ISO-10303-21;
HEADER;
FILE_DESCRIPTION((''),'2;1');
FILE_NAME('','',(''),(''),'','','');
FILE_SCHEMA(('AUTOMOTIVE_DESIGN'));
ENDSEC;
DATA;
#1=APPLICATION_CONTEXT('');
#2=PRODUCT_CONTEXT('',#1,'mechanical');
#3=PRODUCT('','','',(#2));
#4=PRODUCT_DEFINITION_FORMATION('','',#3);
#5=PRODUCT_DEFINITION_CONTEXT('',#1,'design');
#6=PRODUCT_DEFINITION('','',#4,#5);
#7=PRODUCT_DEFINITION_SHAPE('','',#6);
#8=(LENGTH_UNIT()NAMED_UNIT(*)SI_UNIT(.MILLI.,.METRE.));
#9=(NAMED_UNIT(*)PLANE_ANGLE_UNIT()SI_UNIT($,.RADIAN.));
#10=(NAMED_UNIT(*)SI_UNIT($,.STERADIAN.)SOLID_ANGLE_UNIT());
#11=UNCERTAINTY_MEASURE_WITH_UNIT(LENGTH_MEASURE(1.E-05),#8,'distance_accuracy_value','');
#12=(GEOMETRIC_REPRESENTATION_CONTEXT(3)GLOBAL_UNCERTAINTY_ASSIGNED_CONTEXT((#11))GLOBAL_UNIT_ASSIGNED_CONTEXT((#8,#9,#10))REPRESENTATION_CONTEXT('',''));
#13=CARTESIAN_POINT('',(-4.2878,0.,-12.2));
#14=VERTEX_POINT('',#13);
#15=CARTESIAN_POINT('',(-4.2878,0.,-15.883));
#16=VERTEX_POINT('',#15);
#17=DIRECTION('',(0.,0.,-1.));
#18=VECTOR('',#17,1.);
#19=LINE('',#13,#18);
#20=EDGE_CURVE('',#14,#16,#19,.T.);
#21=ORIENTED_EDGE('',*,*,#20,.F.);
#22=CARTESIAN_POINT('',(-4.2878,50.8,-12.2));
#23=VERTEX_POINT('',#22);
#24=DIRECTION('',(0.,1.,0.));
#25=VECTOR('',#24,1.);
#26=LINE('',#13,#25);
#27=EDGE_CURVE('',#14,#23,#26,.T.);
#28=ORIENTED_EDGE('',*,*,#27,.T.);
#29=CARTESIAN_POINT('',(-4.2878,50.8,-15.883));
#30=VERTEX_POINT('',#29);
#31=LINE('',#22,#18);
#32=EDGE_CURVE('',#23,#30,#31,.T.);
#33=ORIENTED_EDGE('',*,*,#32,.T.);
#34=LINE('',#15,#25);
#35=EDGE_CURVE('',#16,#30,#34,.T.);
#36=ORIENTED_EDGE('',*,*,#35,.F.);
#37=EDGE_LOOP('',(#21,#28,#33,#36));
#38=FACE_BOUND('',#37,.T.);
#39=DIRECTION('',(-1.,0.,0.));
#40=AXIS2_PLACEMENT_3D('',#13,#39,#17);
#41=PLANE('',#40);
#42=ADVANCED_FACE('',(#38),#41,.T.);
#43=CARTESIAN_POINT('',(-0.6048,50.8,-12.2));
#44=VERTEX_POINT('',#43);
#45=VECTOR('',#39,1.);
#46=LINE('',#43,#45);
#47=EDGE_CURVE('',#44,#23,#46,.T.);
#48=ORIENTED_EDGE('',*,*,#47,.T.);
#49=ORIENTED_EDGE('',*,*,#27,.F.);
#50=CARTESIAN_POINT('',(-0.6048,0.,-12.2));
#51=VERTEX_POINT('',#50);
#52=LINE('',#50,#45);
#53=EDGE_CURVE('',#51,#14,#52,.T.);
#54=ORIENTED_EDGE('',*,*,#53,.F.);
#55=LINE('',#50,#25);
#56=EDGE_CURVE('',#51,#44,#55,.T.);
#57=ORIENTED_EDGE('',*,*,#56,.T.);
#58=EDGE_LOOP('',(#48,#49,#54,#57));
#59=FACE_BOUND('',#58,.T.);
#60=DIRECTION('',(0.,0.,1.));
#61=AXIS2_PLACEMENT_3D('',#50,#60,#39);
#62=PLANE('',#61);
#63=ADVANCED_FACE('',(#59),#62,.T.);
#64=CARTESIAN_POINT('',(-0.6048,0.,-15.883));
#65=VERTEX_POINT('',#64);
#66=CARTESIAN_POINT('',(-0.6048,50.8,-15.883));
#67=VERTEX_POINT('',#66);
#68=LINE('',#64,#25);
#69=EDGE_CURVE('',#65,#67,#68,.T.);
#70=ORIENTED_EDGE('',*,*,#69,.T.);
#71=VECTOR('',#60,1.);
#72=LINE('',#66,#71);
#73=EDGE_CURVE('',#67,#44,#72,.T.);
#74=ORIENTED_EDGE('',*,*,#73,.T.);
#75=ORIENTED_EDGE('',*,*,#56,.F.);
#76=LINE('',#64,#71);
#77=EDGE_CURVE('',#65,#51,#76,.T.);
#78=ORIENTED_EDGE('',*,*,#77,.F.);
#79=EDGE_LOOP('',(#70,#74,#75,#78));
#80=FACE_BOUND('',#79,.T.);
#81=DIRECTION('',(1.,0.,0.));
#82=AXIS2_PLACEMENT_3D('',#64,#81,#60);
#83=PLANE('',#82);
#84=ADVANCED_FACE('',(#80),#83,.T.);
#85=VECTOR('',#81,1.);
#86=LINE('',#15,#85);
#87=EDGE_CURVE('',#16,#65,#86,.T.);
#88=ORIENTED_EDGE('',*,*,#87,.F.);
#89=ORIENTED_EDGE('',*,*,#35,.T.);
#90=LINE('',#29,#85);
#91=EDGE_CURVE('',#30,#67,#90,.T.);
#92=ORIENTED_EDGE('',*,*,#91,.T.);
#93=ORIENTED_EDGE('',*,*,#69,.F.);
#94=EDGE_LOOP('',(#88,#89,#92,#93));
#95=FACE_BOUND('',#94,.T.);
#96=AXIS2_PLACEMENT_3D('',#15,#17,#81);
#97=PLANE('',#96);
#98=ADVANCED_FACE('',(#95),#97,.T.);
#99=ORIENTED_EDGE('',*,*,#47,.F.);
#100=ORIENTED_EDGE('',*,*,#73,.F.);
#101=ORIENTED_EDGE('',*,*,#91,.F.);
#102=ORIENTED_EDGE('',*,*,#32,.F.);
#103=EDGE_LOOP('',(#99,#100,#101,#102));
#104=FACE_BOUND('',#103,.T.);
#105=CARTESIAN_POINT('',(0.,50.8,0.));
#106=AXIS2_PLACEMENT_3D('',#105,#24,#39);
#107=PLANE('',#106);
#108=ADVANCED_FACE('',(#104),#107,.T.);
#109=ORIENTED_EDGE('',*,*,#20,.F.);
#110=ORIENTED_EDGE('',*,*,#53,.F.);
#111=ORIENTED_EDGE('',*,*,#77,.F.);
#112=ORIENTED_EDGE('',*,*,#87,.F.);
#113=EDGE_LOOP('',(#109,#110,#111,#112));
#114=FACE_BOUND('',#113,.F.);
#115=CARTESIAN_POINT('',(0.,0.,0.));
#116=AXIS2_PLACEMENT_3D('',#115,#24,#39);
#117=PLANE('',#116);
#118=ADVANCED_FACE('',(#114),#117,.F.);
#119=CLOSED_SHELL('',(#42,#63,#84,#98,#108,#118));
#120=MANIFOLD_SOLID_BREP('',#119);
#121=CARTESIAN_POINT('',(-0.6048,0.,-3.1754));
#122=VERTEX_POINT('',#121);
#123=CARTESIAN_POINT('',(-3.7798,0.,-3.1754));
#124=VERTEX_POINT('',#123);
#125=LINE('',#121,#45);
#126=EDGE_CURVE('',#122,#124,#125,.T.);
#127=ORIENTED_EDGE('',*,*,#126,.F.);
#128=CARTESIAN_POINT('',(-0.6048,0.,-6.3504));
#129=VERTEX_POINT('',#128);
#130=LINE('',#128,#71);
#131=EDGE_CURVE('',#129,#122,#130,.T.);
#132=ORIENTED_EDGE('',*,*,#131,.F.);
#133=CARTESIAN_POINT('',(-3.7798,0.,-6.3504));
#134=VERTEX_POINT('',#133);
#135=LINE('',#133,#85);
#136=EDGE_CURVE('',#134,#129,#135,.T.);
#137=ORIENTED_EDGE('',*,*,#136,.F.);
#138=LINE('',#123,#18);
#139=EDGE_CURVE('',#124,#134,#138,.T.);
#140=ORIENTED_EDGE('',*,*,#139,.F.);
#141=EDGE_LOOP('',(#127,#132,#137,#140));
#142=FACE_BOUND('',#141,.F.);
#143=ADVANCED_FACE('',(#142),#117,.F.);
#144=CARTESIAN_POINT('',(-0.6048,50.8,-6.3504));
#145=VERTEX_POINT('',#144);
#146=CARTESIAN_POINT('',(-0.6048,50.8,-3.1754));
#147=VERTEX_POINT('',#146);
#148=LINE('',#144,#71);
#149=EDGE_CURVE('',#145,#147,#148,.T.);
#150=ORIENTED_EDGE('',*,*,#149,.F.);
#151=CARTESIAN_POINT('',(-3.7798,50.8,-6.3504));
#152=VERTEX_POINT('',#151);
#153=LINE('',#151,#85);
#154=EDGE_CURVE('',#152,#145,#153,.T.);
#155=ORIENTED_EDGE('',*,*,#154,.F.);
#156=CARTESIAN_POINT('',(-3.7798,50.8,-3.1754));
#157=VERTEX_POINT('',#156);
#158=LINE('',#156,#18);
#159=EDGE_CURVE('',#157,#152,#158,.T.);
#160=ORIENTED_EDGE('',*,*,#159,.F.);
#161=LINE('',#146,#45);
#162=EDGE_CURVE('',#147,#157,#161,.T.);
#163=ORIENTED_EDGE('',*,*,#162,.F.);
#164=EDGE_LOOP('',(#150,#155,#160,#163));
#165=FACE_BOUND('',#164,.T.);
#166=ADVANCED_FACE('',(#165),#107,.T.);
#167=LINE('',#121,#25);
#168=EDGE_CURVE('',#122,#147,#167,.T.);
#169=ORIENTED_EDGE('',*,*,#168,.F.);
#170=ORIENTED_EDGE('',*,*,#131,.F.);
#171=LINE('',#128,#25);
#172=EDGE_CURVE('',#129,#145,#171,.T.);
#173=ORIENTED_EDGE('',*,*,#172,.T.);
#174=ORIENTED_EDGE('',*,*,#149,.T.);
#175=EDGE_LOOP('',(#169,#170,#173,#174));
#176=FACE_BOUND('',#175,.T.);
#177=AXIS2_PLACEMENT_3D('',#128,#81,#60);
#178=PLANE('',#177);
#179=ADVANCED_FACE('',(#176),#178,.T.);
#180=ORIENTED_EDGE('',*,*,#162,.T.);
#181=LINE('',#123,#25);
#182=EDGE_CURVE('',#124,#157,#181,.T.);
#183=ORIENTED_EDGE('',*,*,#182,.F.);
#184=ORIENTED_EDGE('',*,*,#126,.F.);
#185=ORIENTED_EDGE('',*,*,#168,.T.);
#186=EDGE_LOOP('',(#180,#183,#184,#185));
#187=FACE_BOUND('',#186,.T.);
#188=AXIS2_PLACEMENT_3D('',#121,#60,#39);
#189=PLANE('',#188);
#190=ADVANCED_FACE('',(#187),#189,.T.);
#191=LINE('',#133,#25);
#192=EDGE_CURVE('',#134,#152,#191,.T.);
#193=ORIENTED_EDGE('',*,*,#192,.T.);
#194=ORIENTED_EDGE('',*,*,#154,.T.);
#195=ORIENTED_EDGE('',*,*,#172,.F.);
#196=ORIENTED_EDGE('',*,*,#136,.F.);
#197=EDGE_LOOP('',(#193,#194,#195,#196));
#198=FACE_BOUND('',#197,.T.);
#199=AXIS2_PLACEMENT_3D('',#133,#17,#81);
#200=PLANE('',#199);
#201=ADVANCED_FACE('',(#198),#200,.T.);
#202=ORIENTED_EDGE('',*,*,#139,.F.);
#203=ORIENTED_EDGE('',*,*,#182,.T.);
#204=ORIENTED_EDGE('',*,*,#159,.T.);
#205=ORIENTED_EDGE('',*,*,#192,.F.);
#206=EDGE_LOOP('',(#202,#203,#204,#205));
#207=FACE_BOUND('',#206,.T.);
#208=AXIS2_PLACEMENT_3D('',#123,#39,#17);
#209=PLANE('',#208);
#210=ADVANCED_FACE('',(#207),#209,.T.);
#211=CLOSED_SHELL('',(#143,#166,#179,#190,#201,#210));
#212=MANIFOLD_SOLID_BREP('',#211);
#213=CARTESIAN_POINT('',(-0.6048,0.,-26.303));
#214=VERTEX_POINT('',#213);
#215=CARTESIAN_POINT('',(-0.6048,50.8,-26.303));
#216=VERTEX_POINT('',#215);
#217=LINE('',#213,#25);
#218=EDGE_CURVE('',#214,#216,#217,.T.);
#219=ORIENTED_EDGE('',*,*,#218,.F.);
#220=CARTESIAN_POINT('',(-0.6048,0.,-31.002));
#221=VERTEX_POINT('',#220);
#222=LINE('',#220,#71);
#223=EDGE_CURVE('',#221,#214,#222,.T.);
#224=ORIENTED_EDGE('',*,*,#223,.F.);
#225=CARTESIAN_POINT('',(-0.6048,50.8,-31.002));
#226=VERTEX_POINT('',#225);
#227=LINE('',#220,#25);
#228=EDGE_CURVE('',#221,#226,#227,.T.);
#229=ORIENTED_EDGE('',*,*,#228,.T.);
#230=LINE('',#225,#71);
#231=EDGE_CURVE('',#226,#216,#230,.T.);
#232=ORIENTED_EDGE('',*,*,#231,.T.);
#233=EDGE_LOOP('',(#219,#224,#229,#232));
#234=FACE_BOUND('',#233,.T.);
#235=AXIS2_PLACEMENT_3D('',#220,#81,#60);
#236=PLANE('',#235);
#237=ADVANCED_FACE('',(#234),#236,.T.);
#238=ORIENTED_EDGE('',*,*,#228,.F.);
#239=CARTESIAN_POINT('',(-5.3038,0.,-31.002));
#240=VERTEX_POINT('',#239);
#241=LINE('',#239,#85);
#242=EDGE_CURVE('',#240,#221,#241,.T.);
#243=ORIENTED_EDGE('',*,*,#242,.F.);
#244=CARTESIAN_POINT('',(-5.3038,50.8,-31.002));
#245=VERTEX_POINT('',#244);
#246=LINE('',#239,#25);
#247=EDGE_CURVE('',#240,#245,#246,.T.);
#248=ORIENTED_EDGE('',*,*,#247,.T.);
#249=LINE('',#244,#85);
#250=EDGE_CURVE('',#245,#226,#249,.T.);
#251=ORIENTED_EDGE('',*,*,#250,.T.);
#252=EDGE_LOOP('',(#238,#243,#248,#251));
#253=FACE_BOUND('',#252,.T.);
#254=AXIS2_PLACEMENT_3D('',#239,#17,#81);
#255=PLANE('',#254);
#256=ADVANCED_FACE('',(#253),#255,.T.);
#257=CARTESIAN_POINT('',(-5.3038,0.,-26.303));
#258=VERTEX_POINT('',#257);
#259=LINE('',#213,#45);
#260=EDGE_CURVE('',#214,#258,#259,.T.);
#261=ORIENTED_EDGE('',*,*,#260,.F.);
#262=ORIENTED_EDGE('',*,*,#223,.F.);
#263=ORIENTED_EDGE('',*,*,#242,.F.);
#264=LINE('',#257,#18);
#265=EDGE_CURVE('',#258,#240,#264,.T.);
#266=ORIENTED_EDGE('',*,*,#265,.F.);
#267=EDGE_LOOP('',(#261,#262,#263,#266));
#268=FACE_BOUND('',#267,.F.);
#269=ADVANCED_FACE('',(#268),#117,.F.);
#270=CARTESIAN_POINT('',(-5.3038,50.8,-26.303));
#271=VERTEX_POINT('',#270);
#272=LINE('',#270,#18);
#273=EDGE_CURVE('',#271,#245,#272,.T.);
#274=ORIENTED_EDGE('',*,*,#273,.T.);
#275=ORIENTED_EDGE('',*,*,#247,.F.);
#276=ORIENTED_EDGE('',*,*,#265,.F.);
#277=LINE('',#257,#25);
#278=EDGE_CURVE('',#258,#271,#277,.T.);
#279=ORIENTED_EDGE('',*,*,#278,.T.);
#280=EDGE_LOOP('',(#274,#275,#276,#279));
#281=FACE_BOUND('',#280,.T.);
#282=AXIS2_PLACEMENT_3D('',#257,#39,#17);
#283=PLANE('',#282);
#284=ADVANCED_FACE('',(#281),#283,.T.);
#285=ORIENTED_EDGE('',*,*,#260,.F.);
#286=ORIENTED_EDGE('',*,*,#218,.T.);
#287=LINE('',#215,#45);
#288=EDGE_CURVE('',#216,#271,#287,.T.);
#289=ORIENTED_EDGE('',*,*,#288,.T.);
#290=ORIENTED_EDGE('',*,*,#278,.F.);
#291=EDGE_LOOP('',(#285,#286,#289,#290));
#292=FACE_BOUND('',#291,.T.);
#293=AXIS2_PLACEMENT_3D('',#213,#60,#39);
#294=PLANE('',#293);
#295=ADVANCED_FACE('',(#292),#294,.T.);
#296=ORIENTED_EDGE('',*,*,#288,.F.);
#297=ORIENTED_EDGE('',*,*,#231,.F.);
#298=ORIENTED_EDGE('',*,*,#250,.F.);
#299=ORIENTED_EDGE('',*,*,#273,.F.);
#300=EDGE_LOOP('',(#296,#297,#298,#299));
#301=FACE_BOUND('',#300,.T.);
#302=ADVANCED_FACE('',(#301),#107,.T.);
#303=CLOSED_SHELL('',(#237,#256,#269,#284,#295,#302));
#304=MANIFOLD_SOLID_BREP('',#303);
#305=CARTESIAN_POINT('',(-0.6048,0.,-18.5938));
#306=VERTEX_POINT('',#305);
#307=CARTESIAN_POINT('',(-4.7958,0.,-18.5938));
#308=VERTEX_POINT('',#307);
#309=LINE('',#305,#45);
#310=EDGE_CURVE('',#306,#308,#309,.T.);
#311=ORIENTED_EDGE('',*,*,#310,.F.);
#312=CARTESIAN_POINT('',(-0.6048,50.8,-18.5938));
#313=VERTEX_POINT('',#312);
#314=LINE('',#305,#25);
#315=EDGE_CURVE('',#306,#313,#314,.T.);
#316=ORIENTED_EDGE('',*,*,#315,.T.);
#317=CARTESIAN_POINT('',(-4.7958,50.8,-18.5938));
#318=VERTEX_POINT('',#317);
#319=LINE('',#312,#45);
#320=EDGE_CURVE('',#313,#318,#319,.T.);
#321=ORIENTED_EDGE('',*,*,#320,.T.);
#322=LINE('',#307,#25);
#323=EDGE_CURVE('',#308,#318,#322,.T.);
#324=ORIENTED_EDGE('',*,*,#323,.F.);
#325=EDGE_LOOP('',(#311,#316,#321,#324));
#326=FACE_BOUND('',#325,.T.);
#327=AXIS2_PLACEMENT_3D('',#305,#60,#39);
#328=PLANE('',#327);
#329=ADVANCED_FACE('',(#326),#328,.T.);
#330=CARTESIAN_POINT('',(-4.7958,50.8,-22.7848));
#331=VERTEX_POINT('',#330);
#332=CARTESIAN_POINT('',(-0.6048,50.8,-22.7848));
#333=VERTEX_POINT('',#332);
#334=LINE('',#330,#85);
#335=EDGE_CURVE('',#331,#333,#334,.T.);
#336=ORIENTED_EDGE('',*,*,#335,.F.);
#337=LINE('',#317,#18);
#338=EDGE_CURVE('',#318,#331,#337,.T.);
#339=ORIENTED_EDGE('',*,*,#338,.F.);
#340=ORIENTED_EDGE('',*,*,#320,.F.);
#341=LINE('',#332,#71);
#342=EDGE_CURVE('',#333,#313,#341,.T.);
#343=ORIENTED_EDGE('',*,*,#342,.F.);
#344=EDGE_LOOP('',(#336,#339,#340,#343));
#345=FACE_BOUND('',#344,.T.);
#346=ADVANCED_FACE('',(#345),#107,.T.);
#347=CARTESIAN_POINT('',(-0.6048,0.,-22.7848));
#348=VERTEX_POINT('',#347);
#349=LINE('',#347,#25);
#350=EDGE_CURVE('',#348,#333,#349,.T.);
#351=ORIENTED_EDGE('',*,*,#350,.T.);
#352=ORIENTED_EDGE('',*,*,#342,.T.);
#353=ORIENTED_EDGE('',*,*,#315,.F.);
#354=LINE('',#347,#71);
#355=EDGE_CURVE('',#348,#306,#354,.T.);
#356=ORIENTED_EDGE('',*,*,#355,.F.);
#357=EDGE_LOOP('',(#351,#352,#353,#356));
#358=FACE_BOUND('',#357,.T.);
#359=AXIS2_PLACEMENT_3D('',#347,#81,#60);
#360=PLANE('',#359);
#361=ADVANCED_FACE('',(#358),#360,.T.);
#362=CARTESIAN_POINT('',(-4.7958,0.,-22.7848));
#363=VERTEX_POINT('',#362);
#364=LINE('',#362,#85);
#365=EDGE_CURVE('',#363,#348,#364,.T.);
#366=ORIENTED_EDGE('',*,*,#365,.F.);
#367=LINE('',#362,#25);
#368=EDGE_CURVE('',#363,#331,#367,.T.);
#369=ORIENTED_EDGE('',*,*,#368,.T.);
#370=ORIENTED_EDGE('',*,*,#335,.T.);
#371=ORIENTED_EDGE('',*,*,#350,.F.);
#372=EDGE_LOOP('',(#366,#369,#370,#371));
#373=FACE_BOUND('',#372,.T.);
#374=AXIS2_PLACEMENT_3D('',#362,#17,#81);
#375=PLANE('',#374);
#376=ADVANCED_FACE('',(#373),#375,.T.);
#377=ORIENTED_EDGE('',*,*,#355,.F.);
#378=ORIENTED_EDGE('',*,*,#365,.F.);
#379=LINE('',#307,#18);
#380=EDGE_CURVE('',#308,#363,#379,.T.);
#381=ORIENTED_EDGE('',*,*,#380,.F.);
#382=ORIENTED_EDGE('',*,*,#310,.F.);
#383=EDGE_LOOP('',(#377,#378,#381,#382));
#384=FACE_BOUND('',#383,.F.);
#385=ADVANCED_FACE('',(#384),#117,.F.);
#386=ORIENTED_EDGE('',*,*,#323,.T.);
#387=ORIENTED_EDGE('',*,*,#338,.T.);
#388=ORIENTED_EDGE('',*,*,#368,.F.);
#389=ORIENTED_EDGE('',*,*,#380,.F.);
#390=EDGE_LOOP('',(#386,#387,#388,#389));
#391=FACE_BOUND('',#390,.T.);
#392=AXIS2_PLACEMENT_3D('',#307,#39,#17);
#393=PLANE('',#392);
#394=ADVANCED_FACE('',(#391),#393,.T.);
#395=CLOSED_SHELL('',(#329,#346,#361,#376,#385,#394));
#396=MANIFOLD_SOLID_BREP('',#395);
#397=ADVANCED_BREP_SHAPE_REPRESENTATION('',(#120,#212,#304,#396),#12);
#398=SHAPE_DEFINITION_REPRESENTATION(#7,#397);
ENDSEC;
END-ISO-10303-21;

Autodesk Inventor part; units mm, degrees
ref_plane "YZ Plane" through (0, 0, 0) normal (1, 0, 0) x (0, 1, 0)
ref_plane "XZ Plane" through (0, 0, 0) normal (0, 1, 0) x (-1, 0, 0)
ref_plane "XY Plane" through (0, 0, 0) normal (0, 0, 1) x (1, 0, 0)
sketch "Sketch1" plane through (0, 0, 0) normal (0, 1, 0) x (-1, 0, 0)
  line L0 (0.6048, -3.1754) -> (3.7798, -3.1754)
  line L1 (3.7798, -3.1754) -> (3.7798, -6.3504)
  line L2 (3.7798, -6.3504) -> (0.6048, -6.3504)
  line L3 (0.6048, -6.3504) -> (0.6048, -3.1754)
  line L4 (0.6048, -12.2) -> (4.2878, -12.2)
  line L5 (4.2878, -12.2) -> (4.2878, -15.883)
  line L6 (4.2878, -15.883) -> (0.6048, -15.883)
  line L7 (0.6048, -15.883) -> (0.6048, -12.2)
  line L8 (0.6048, -18.5938) -> (4.7958, -18.5938)
  line L9 (4.7958, -18.5938) -> (4.7958, -22.7848)
  line L10 (4.7958, -22.7848) -> (0.6048, -22.7848)
  line L11 (0.6048, -22.7848) -> (0.6048, -18.5938)
  line L12 (0.6048, -26.303) -> (5.3038, -26.303)
  line L13 (5.3038, -26.303) -> (5.3038, -31.002)
  line L14 (5.3038, -31.002) -> (0.6048, -31.002)
  line L15 (0.6048, -31.002) -> (0.6048, -26.303)
  point P0 (0, 0)
  point P1 (2.1923, -4.7629)
  point P2 (2.4463, -14.0415)
  point P3 (2.7003, -20.6893)
  point P4 (2.9543, -28.6525)
  dimension "d0" = 3.175
  dimension "d1" = 3.683
  dimension "d2" = 4.191
  dimension "d3" = 4.699
extrude "Extrusion1" add sketch "Sketch1" along normal blind 50.8
